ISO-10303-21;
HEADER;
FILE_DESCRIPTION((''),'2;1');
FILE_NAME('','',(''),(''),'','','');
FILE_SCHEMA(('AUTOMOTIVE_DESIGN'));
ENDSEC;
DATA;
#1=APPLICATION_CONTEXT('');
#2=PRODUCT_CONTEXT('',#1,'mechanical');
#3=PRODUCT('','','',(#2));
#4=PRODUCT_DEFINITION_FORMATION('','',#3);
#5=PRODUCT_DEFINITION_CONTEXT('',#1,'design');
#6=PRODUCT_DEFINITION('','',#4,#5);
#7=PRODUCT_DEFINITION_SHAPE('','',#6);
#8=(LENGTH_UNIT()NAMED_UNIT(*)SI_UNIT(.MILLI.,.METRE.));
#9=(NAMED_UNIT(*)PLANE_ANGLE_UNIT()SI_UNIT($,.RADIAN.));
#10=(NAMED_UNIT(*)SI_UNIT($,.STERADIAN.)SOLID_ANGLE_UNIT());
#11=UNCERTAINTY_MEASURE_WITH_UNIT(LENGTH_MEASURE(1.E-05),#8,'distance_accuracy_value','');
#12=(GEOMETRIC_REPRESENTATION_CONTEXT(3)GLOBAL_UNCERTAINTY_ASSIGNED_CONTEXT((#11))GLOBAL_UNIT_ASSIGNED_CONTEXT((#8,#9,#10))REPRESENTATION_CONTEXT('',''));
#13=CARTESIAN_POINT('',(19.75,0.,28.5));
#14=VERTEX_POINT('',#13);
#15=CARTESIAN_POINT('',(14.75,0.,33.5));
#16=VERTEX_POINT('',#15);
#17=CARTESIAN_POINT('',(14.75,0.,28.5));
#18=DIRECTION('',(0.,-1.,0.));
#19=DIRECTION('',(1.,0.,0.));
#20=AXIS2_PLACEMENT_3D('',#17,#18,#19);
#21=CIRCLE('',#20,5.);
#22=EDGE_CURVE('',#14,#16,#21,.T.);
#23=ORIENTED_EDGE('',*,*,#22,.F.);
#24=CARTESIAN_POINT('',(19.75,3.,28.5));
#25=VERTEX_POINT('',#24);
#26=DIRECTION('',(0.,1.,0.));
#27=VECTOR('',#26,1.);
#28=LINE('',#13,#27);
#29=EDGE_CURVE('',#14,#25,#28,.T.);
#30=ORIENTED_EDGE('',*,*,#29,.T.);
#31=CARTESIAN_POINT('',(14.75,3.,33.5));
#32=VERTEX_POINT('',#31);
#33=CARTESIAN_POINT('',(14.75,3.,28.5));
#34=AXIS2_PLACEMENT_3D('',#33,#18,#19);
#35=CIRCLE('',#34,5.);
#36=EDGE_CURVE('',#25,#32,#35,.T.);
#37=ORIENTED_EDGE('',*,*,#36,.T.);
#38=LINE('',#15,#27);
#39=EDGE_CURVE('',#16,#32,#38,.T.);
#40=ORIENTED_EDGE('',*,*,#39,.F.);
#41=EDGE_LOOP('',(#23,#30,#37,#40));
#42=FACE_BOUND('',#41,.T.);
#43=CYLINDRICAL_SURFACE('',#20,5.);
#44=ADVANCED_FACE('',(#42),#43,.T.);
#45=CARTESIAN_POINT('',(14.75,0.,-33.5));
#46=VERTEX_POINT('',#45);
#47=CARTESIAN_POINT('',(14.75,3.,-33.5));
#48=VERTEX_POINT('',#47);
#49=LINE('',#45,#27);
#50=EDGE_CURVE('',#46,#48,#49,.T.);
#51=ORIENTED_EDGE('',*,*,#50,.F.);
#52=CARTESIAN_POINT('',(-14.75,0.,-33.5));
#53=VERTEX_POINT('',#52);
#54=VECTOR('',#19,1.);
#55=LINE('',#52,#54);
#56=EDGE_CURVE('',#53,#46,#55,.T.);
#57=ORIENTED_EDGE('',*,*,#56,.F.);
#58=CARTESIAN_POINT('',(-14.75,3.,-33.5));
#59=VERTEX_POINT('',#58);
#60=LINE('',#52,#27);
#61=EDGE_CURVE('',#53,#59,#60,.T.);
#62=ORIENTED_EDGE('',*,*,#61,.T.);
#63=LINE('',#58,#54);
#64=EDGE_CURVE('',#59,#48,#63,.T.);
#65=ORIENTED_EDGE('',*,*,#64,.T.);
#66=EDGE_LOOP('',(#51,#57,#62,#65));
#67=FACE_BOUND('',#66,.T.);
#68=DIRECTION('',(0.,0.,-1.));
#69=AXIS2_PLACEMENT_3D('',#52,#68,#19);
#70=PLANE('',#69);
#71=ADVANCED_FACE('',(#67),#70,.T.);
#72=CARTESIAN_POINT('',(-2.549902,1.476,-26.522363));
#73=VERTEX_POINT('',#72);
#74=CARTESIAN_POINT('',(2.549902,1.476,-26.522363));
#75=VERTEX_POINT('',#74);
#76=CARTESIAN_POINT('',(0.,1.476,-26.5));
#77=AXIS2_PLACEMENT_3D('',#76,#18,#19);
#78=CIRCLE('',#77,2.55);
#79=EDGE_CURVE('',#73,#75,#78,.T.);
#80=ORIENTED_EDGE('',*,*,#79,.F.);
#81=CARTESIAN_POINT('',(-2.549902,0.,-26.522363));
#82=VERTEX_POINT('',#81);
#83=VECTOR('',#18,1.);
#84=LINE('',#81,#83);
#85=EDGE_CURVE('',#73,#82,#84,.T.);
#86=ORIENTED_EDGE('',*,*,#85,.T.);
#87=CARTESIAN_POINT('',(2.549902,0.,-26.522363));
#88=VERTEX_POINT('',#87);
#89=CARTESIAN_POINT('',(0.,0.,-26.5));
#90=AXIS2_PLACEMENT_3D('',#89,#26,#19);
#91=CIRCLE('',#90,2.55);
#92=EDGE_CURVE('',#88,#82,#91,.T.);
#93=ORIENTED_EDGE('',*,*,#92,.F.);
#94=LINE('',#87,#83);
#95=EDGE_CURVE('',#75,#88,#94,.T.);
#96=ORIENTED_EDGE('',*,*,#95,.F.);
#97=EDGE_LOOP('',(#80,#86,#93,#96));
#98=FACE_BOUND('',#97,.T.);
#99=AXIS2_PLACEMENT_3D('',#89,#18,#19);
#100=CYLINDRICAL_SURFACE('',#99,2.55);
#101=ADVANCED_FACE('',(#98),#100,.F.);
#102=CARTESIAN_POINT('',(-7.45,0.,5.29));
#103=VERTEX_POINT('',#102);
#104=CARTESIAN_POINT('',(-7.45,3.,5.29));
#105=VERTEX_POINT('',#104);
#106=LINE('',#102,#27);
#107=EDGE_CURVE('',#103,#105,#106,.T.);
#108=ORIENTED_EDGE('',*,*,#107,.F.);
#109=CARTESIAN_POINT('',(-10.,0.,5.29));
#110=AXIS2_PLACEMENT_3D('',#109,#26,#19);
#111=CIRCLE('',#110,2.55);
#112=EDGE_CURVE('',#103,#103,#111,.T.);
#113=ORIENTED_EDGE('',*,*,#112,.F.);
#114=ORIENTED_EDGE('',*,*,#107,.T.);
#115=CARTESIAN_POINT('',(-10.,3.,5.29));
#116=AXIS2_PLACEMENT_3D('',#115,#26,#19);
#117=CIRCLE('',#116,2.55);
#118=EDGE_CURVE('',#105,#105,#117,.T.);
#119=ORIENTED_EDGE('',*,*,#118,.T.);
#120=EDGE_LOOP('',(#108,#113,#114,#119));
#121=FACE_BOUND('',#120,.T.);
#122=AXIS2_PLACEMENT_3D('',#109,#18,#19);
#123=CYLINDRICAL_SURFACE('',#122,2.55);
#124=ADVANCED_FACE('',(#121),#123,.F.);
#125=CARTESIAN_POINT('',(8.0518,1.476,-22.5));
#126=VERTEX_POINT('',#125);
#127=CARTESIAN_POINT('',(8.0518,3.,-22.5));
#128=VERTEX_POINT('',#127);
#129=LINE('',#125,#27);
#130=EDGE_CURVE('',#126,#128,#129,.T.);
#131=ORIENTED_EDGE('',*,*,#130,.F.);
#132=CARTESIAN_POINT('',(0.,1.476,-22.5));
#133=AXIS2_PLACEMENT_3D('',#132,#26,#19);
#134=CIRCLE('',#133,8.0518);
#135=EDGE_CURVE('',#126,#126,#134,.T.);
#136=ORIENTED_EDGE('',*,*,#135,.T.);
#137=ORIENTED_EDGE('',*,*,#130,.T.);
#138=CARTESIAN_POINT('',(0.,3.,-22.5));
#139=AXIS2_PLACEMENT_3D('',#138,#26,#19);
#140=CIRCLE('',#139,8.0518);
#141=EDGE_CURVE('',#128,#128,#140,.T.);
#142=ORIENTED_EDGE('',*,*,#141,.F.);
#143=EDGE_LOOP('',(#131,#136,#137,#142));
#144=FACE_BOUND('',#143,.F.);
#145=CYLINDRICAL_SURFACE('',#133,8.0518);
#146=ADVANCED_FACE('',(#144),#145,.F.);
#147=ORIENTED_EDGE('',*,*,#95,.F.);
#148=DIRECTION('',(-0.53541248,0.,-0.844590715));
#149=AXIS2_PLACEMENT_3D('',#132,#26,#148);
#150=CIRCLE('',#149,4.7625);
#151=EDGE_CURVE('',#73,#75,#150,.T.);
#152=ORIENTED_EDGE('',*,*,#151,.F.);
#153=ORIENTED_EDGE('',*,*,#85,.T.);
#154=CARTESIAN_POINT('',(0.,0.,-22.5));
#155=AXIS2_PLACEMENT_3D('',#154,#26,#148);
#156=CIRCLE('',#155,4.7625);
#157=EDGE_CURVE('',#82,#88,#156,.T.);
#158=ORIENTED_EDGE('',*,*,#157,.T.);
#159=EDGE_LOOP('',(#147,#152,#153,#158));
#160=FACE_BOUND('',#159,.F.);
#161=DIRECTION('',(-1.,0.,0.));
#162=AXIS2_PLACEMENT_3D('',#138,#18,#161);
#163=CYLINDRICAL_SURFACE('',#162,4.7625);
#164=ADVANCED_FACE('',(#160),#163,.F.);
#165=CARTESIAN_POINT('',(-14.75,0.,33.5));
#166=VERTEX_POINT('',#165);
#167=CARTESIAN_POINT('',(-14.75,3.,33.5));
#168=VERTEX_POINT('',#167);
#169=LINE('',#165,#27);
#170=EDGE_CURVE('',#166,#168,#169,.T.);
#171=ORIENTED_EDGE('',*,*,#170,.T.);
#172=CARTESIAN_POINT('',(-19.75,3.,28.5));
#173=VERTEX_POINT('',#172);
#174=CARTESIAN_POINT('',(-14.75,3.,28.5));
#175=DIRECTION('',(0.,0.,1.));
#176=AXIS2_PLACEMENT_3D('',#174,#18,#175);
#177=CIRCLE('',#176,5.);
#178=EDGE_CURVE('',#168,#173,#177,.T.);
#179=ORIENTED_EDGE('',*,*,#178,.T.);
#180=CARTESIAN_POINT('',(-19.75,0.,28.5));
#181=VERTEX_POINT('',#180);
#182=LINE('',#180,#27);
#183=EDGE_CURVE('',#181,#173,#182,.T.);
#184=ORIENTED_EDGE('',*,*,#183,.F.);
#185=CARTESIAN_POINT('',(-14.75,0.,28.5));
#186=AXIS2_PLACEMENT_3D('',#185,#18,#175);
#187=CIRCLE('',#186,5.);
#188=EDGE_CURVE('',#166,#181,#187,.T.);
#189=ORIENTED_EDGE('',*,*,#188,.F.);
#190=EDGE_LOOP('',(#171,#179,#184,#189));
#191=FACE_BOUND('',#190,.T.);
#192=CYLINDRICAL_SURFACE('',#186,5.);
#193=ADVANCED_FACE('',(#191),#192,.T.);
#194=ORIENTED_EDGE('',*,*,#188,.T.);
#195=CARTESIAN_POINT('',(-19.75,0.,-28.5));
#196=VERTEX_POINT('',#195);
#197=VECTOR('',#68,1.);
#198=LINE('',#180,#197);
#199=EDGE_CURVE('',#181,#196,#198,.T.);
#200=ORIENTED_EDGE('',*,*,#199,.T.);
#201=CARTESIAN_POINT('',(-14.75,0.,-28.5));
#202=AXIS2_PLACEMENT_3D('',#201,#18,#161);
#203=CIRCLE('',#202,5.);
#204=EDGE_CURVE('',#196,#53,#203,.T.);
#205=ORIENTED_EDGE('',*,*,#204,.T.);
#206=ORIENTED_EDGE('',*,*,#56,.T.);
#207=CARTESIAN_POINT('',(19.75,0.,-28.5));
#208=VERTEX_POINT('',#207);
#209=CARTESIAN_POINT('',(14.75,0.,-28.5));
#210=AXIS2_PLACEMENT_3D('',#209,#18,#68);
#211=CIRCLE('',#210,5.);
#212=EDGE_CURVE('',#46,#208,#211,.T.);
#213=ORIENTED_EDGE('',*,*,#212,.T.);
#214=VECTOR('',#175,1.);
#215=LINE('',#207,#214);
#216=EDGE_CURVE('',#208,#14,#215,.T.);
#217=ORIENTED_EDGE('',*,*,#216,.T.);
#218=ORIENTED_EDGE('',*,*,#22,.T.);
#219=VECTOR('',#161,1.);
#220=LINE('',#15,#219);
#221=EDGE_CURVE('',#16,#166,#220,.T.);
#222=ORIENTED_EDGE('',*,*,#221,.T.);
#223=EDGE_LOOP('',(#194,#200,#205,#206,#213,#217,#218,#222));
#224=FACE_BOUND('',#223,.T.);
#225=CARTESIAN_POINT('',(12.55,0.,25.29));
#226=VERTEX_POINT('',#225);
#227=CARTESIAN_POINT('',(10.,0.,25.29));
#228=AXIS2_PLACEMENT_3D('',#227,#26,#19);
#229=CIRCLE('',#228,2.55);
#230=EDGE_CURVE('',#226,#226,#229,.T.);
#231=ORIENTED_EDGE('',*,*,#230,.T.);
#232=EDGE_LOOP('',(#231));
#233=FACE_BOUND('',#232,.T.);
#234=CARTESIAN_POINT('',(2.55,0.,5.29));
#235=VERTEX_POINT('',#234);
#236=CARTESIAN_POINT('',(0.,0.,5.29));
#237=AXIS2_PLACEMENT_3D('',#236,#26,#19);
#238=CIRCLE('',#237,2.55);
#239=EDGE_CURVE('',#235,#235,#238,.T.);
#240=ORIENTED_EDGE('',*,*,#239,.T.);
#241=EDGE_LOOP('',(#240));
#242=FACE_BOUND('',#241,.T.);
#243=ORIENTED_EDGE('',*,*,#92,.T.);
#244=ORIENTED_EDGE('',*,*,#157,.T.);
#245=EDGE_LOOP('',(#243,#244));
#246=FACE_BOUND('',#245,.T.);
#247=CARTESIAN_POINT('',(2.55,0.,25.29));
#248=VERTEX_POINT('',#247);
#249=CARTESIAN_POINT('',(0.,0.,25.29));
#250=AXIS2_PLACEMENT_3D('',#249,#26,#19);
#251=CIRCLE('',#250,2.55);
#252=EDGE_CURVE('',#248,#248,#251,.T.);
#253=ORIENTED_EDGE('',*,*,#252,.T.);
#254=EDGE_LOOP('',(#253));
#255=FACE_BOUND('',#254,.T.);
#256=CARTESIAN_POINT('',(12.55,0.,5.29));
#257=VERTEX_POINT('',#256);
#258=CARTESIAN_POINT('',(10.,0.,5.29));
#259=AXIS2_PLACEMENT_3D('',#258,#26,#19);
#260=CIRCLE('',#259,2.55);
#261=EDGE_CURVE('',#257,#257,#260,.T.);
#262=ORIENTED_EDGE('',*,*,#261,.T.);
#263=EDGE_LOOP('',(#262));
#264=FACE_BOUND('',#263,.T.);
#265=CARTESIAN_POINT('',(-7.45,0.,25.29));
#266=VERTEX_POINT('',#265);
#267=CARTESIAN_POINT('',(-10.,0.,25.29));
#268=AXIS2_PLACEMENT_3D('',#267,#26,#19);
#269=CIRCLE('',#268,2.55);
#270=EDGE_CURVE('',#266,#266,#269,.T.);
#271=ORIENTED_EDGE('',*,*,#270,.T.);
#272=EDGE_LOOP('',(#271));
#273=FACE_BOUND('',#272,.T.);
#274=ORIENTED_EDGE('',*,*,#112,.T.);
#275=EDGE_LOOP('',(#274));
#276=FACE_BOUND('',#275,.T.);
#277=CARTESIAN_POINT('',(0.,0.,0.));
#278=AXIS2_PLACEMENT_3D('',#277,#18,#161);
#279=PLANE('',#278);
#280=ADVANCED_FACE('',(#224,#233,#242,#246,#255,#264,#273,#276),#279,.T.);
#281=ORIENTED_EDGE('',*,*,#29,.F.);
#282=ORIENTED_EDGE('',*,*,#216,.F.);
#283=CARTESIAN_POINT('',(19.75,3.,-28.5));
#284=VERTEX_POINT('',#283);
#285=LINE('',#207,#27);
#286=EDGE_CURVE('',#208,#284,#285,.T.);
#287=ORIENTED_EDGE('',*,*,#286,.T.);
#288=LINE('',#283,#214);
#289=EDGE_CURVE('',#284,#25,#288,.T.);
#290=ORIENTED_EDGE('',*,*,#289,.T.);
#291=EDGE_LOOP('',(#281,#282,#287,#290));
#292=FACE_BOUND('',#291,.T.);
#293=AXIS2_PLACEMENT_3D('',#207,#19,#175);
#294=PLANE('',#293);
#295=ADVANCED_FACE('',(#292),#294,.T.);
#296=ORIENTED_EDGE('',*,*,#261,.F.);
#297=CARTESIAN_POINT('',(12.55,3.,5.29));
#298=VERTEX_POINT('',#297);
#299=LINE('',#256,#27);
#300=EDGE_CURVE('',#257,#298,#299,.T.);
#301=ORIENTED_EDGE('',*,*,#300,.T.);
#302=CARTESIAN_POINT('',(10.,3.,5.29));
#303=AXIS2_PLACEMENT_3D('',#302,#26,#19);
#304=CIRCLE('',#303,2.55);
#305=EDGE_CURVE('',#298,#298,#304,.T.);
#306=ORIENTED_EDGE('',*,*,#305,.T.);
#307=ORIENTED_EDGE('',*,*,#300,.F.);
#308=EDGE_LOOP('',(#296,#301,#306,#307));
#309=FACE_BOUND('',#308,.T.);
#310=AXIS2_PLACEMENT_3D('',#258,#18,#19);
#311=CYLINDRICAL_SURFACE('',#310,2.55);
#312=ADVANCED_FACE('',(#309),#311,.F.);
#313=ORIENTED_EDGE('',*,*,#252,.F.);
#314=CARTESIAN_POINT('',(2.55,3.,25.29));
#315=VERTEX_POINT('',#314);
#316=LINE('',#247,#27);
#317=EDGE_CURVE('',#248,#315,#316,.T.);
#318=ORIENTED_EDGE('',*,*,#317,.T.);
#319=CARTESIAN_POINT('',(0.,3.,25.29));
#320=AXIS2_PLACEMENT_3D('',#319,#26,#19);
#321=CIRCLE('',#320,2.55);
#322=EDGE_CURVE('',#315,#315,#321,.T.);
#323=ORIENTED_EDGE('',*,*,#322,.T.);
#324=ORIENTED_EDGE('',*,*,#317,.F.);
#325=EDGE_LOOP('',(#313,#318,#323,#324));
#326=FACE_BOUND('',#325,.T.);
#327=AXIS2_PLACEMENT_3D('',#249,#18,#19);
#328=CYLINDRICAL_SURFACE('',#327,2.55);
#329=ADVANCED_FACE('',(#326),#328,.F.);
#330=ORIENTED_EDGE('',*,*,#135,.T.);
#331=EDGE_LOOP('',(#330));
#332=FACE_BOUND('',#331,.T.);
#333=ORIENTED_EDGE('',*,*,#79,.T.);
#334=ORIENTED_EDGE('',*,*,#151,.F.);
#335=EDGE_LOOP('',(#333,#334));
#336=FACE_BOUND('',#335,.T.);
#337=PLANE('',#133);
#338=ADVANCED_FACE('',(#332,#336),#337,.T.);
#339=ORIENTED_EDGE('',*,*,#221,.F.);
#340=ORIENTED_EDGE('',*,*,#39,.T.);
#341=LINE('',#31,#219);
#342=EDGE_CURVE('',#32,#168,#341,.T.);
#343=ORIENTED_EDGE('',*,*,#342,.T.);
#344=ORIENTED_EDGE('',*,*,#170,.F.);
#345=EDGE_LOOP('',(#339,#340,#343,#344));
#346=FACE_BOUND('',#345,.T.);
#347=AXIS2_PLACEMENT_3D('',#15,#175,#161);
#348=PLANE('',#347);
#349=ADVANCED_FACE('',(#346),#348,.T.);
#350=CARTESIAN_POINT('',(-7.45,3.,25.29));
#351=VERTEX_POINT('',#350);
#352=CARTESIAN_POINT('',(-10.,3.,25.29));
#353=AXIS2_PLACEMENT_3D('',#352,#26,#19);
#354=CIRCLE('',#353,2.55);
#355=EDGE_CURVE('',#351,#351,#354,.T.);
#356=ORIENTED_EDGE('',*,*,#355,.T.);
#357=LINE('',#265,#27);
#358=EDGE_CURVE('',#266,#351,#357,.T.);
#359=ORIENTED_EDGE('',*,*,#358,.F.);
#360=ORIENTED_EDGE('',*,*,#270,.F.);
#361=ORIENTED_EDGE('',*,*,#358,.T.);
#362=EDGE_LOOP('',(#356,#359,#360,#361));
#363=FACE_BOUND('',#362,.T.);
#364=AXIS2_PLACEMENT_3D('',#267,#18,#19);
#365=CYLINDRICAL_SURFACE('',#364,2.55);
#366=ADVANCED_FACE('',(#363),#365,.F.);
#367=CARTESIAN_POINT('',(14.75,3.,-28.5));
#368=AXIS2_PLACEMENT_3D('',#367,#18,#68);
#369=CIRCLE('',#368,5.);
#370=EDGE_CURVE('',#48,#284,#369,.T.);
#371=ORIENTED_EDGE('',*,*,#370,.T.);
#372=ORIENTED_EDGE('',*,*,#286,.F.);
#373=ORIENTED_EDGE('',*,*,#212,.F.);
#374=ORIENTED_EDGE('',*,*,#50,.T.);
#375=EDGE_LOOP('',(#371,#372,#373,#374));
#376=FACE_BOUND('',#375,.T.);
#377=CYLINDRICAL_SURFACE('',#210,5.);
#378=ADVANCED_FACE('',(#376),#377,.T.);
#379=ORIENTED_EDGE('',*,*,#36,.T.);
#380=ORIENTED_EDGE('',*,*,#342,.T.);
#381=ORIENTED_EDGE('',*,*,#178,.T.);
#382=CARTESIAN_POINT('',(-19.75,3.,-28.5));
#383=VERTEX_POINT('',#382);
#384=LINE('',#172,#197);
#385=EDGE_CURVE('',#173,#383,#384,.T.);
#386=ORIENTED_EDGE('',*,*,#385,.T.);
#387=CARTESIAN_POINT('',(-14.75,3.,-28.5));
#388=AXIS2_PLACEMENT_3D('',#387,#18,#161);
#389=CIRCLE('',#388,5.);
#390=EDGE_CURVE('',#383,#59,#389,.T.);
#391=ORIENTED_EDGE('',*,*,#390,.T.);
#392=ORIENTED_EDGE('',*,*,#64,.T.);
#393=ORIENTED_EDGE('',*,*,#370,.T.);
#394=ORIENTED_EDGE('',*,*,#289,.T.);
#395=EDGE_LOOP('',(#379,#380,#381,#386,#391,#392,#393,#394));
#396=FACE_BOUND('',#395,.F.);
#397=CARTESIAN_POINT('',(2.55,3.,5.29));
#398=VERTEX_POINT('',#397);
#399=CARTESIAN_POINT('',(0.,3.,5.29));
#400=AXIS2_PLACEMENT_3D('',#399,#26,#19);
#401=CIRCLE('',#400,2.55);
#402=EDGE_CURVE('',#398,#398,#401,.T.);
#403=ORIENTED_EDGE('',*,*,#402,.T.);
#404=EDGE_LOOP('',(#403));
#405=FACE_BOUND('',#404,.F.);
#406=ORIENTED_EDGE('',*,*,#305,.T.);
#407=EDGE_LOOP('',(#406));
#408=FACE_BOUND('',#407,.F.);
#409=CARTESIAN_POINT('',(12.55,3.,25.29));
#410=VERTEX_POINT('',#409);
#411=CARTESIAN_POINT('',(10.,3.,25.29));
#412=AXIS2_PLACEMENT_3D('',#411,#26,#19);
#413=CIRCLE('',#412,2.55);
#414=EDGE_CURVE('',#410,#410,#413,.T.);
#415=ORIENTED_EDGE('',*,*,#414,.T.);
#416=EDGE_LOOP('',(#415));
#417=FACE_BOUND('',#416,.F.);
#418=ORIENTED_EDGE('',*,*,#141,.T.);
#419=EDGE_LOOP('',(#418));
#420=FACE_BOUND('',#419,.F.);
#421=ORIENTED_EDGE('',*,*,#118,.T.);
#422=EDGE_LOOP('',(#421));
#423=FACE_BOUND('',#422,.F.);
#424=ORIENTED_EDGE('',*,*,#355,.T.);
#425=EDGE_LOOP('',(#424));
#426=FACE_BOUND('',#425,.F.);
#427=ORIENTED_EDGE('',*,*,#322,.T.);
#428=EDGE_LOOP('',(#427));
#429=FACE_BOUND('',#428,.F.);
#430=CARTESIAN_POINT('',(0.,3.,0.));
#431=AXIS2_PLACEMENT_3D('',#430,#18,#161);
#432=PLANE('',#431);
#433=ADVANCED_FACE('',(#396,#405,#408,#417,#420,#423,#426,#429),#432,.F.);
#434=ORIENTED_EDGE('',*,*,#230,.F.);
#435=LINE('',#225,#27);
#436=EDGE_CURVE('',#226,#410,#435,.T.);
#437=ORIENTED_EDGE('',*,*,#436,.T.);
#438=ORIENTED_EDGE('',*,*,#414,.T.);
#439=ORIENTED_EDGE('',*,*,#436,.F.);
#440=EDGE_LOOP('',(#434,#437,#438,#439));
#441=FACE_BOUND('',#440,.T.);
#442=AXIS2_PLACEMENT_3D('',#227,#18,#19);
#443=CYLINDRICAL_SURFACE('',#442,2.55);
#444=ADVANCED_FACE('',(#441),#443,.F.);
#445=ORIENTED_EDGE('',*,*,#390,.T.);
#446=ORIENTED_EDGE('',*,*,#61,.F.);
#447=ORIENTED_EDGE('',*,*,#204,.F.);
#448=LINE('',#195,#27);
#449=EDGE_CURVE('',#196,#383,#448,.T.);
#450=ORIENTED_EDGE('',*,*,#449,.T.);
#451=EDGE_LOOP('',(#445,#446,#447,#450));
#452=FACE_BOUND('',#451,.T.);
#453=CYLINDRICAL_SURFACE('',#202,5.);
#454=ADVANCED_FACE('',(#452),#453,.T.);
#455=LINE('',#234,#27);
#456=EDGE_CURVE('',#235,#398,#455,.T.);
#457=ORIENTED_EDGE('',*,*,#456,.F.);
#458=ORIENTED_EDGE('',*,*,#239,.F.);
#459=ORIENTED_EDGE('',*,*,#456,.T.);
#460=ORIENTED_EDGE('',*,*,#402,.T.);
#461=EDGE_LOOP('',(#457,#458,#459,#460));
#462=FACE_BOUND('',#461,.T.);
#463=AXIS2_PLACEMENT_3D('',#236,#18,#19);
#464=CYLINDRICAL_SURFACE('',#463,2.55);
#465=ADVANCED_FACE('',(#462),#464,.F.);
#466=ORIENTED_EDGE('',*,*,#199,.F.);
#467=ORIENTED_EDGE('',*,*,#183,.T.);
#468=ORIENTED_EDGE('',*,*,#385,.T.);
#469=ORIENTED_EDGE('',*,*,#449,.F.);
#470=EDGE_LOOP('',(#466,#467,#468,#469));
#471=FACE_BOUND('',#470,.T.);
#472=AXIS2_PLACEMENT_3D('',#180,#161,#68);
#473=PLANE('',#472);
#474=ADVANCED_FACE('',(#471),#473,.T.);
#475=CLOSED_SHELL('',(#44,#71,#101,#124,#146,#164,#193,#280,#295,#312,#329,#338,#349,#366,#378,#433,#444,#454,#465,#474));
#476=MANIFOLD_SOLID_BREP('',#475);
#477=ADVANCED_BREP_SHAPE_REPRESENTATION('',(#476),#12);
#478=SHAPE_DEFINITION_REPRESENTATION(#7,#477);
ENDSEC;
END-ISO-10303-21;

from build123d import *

# Parameters (mm, degrees)
SKETCH1_R                                           = 2.55
BOSS_EXTRUDE1_DEPTH                                 = 3
CBORE_FOR_00_BINDING_HEAD_MACHINE_SCREW_D           = 9.525
CBORE_FOR_00_BINDING_HEAD_MACHINE_SCREW_CBORE_D     = 16.1036
CBORE_FOR_00_BINDING_HEAD_MACHINE_SCREW_CBORE_DEPTH = 1.524


with BuildPart() as part:
    # Sketch1 → Boss-Extrude1 (new body)
    with BuildSketch(Plane(origin=(0, 0, 0), x_dir=(1, 0, 0), z_dir=(0, 1, 0))):
        with BuildLine():
            Line((14.75, -33.5), (-14.75, -33.5))
            ThreePointArc((-14.75, -33.5), (-18.285533906, -32.035533906), (-19.75, -28.5))
            Line((-19.75, -28.5), (-19.75, 28.5))
            ThreePointArc((-19.75, 28.5), (-18.285533906, 32.035533906), (-14.75, 33.5))
            Line((-14.75, 33.5), (14.75, 33.5))
            ThreePointArc((14.75, 33.5), (18.285533906, 32.035533906), (19.75, 28.5))
            Line((19.75, 28.5), (19.75, -28.5))
            ThreePointArc((19.75, -28.5), (18.285533906, -32.035533906), (14.75, -33.5))
        make_face()
        with Locations((0, 26.5)):
            Circle(SKETCH1_R, mode=Mode.SUBTRACT)
        with Locations((10, -25.29)):
            Circle(SKETCH1_R, mode=Mode.SUBTRACT)
        with Locations((10, -5.29)):
            Circle(SKETCH1_R, mode=Mode.SUBTRACT)
        with Locations((0, -25.29)):
            Circle(SKETCH1_R, mode=Mode.SUBTRACT)
        with Locations((0, -5.29)):
            Circle(SKETCH1_R, mode=Mode.SUBTRACT)
        with Locations((-10, -25.29)):
            Circle(SKETCH1_R, mode=Mode.SUBTRACT)
        with Locations((-10, -5.29)):
            Circle(SKETCH1_R, mode=Mode.SUBTRACT)
    extrude(amount=BOSS_EXTRUDE1_DEPTH)

    # CBORE for #00 Binding Head Machine Screw1 (through all)
    with Locations(Plane(origin=(0, 3, 0), x_dir=(1, 0, 0), z_dir=(0, 1, 0))):
        with Locations((0, 22.5)):
            CounterBoreHole(CBORE_FOR_00_BINDING_HEAD_MACHINE_SCREW_D / 2, CBORE_FOR_00_BINDING_HEAD_MACHINE_SCREW_CBORE_D / 2, CBORE_FOR_00_BINDING_HEAD_MACHINE_SCREW_CBORE_DEPTH)


solid = part.part
